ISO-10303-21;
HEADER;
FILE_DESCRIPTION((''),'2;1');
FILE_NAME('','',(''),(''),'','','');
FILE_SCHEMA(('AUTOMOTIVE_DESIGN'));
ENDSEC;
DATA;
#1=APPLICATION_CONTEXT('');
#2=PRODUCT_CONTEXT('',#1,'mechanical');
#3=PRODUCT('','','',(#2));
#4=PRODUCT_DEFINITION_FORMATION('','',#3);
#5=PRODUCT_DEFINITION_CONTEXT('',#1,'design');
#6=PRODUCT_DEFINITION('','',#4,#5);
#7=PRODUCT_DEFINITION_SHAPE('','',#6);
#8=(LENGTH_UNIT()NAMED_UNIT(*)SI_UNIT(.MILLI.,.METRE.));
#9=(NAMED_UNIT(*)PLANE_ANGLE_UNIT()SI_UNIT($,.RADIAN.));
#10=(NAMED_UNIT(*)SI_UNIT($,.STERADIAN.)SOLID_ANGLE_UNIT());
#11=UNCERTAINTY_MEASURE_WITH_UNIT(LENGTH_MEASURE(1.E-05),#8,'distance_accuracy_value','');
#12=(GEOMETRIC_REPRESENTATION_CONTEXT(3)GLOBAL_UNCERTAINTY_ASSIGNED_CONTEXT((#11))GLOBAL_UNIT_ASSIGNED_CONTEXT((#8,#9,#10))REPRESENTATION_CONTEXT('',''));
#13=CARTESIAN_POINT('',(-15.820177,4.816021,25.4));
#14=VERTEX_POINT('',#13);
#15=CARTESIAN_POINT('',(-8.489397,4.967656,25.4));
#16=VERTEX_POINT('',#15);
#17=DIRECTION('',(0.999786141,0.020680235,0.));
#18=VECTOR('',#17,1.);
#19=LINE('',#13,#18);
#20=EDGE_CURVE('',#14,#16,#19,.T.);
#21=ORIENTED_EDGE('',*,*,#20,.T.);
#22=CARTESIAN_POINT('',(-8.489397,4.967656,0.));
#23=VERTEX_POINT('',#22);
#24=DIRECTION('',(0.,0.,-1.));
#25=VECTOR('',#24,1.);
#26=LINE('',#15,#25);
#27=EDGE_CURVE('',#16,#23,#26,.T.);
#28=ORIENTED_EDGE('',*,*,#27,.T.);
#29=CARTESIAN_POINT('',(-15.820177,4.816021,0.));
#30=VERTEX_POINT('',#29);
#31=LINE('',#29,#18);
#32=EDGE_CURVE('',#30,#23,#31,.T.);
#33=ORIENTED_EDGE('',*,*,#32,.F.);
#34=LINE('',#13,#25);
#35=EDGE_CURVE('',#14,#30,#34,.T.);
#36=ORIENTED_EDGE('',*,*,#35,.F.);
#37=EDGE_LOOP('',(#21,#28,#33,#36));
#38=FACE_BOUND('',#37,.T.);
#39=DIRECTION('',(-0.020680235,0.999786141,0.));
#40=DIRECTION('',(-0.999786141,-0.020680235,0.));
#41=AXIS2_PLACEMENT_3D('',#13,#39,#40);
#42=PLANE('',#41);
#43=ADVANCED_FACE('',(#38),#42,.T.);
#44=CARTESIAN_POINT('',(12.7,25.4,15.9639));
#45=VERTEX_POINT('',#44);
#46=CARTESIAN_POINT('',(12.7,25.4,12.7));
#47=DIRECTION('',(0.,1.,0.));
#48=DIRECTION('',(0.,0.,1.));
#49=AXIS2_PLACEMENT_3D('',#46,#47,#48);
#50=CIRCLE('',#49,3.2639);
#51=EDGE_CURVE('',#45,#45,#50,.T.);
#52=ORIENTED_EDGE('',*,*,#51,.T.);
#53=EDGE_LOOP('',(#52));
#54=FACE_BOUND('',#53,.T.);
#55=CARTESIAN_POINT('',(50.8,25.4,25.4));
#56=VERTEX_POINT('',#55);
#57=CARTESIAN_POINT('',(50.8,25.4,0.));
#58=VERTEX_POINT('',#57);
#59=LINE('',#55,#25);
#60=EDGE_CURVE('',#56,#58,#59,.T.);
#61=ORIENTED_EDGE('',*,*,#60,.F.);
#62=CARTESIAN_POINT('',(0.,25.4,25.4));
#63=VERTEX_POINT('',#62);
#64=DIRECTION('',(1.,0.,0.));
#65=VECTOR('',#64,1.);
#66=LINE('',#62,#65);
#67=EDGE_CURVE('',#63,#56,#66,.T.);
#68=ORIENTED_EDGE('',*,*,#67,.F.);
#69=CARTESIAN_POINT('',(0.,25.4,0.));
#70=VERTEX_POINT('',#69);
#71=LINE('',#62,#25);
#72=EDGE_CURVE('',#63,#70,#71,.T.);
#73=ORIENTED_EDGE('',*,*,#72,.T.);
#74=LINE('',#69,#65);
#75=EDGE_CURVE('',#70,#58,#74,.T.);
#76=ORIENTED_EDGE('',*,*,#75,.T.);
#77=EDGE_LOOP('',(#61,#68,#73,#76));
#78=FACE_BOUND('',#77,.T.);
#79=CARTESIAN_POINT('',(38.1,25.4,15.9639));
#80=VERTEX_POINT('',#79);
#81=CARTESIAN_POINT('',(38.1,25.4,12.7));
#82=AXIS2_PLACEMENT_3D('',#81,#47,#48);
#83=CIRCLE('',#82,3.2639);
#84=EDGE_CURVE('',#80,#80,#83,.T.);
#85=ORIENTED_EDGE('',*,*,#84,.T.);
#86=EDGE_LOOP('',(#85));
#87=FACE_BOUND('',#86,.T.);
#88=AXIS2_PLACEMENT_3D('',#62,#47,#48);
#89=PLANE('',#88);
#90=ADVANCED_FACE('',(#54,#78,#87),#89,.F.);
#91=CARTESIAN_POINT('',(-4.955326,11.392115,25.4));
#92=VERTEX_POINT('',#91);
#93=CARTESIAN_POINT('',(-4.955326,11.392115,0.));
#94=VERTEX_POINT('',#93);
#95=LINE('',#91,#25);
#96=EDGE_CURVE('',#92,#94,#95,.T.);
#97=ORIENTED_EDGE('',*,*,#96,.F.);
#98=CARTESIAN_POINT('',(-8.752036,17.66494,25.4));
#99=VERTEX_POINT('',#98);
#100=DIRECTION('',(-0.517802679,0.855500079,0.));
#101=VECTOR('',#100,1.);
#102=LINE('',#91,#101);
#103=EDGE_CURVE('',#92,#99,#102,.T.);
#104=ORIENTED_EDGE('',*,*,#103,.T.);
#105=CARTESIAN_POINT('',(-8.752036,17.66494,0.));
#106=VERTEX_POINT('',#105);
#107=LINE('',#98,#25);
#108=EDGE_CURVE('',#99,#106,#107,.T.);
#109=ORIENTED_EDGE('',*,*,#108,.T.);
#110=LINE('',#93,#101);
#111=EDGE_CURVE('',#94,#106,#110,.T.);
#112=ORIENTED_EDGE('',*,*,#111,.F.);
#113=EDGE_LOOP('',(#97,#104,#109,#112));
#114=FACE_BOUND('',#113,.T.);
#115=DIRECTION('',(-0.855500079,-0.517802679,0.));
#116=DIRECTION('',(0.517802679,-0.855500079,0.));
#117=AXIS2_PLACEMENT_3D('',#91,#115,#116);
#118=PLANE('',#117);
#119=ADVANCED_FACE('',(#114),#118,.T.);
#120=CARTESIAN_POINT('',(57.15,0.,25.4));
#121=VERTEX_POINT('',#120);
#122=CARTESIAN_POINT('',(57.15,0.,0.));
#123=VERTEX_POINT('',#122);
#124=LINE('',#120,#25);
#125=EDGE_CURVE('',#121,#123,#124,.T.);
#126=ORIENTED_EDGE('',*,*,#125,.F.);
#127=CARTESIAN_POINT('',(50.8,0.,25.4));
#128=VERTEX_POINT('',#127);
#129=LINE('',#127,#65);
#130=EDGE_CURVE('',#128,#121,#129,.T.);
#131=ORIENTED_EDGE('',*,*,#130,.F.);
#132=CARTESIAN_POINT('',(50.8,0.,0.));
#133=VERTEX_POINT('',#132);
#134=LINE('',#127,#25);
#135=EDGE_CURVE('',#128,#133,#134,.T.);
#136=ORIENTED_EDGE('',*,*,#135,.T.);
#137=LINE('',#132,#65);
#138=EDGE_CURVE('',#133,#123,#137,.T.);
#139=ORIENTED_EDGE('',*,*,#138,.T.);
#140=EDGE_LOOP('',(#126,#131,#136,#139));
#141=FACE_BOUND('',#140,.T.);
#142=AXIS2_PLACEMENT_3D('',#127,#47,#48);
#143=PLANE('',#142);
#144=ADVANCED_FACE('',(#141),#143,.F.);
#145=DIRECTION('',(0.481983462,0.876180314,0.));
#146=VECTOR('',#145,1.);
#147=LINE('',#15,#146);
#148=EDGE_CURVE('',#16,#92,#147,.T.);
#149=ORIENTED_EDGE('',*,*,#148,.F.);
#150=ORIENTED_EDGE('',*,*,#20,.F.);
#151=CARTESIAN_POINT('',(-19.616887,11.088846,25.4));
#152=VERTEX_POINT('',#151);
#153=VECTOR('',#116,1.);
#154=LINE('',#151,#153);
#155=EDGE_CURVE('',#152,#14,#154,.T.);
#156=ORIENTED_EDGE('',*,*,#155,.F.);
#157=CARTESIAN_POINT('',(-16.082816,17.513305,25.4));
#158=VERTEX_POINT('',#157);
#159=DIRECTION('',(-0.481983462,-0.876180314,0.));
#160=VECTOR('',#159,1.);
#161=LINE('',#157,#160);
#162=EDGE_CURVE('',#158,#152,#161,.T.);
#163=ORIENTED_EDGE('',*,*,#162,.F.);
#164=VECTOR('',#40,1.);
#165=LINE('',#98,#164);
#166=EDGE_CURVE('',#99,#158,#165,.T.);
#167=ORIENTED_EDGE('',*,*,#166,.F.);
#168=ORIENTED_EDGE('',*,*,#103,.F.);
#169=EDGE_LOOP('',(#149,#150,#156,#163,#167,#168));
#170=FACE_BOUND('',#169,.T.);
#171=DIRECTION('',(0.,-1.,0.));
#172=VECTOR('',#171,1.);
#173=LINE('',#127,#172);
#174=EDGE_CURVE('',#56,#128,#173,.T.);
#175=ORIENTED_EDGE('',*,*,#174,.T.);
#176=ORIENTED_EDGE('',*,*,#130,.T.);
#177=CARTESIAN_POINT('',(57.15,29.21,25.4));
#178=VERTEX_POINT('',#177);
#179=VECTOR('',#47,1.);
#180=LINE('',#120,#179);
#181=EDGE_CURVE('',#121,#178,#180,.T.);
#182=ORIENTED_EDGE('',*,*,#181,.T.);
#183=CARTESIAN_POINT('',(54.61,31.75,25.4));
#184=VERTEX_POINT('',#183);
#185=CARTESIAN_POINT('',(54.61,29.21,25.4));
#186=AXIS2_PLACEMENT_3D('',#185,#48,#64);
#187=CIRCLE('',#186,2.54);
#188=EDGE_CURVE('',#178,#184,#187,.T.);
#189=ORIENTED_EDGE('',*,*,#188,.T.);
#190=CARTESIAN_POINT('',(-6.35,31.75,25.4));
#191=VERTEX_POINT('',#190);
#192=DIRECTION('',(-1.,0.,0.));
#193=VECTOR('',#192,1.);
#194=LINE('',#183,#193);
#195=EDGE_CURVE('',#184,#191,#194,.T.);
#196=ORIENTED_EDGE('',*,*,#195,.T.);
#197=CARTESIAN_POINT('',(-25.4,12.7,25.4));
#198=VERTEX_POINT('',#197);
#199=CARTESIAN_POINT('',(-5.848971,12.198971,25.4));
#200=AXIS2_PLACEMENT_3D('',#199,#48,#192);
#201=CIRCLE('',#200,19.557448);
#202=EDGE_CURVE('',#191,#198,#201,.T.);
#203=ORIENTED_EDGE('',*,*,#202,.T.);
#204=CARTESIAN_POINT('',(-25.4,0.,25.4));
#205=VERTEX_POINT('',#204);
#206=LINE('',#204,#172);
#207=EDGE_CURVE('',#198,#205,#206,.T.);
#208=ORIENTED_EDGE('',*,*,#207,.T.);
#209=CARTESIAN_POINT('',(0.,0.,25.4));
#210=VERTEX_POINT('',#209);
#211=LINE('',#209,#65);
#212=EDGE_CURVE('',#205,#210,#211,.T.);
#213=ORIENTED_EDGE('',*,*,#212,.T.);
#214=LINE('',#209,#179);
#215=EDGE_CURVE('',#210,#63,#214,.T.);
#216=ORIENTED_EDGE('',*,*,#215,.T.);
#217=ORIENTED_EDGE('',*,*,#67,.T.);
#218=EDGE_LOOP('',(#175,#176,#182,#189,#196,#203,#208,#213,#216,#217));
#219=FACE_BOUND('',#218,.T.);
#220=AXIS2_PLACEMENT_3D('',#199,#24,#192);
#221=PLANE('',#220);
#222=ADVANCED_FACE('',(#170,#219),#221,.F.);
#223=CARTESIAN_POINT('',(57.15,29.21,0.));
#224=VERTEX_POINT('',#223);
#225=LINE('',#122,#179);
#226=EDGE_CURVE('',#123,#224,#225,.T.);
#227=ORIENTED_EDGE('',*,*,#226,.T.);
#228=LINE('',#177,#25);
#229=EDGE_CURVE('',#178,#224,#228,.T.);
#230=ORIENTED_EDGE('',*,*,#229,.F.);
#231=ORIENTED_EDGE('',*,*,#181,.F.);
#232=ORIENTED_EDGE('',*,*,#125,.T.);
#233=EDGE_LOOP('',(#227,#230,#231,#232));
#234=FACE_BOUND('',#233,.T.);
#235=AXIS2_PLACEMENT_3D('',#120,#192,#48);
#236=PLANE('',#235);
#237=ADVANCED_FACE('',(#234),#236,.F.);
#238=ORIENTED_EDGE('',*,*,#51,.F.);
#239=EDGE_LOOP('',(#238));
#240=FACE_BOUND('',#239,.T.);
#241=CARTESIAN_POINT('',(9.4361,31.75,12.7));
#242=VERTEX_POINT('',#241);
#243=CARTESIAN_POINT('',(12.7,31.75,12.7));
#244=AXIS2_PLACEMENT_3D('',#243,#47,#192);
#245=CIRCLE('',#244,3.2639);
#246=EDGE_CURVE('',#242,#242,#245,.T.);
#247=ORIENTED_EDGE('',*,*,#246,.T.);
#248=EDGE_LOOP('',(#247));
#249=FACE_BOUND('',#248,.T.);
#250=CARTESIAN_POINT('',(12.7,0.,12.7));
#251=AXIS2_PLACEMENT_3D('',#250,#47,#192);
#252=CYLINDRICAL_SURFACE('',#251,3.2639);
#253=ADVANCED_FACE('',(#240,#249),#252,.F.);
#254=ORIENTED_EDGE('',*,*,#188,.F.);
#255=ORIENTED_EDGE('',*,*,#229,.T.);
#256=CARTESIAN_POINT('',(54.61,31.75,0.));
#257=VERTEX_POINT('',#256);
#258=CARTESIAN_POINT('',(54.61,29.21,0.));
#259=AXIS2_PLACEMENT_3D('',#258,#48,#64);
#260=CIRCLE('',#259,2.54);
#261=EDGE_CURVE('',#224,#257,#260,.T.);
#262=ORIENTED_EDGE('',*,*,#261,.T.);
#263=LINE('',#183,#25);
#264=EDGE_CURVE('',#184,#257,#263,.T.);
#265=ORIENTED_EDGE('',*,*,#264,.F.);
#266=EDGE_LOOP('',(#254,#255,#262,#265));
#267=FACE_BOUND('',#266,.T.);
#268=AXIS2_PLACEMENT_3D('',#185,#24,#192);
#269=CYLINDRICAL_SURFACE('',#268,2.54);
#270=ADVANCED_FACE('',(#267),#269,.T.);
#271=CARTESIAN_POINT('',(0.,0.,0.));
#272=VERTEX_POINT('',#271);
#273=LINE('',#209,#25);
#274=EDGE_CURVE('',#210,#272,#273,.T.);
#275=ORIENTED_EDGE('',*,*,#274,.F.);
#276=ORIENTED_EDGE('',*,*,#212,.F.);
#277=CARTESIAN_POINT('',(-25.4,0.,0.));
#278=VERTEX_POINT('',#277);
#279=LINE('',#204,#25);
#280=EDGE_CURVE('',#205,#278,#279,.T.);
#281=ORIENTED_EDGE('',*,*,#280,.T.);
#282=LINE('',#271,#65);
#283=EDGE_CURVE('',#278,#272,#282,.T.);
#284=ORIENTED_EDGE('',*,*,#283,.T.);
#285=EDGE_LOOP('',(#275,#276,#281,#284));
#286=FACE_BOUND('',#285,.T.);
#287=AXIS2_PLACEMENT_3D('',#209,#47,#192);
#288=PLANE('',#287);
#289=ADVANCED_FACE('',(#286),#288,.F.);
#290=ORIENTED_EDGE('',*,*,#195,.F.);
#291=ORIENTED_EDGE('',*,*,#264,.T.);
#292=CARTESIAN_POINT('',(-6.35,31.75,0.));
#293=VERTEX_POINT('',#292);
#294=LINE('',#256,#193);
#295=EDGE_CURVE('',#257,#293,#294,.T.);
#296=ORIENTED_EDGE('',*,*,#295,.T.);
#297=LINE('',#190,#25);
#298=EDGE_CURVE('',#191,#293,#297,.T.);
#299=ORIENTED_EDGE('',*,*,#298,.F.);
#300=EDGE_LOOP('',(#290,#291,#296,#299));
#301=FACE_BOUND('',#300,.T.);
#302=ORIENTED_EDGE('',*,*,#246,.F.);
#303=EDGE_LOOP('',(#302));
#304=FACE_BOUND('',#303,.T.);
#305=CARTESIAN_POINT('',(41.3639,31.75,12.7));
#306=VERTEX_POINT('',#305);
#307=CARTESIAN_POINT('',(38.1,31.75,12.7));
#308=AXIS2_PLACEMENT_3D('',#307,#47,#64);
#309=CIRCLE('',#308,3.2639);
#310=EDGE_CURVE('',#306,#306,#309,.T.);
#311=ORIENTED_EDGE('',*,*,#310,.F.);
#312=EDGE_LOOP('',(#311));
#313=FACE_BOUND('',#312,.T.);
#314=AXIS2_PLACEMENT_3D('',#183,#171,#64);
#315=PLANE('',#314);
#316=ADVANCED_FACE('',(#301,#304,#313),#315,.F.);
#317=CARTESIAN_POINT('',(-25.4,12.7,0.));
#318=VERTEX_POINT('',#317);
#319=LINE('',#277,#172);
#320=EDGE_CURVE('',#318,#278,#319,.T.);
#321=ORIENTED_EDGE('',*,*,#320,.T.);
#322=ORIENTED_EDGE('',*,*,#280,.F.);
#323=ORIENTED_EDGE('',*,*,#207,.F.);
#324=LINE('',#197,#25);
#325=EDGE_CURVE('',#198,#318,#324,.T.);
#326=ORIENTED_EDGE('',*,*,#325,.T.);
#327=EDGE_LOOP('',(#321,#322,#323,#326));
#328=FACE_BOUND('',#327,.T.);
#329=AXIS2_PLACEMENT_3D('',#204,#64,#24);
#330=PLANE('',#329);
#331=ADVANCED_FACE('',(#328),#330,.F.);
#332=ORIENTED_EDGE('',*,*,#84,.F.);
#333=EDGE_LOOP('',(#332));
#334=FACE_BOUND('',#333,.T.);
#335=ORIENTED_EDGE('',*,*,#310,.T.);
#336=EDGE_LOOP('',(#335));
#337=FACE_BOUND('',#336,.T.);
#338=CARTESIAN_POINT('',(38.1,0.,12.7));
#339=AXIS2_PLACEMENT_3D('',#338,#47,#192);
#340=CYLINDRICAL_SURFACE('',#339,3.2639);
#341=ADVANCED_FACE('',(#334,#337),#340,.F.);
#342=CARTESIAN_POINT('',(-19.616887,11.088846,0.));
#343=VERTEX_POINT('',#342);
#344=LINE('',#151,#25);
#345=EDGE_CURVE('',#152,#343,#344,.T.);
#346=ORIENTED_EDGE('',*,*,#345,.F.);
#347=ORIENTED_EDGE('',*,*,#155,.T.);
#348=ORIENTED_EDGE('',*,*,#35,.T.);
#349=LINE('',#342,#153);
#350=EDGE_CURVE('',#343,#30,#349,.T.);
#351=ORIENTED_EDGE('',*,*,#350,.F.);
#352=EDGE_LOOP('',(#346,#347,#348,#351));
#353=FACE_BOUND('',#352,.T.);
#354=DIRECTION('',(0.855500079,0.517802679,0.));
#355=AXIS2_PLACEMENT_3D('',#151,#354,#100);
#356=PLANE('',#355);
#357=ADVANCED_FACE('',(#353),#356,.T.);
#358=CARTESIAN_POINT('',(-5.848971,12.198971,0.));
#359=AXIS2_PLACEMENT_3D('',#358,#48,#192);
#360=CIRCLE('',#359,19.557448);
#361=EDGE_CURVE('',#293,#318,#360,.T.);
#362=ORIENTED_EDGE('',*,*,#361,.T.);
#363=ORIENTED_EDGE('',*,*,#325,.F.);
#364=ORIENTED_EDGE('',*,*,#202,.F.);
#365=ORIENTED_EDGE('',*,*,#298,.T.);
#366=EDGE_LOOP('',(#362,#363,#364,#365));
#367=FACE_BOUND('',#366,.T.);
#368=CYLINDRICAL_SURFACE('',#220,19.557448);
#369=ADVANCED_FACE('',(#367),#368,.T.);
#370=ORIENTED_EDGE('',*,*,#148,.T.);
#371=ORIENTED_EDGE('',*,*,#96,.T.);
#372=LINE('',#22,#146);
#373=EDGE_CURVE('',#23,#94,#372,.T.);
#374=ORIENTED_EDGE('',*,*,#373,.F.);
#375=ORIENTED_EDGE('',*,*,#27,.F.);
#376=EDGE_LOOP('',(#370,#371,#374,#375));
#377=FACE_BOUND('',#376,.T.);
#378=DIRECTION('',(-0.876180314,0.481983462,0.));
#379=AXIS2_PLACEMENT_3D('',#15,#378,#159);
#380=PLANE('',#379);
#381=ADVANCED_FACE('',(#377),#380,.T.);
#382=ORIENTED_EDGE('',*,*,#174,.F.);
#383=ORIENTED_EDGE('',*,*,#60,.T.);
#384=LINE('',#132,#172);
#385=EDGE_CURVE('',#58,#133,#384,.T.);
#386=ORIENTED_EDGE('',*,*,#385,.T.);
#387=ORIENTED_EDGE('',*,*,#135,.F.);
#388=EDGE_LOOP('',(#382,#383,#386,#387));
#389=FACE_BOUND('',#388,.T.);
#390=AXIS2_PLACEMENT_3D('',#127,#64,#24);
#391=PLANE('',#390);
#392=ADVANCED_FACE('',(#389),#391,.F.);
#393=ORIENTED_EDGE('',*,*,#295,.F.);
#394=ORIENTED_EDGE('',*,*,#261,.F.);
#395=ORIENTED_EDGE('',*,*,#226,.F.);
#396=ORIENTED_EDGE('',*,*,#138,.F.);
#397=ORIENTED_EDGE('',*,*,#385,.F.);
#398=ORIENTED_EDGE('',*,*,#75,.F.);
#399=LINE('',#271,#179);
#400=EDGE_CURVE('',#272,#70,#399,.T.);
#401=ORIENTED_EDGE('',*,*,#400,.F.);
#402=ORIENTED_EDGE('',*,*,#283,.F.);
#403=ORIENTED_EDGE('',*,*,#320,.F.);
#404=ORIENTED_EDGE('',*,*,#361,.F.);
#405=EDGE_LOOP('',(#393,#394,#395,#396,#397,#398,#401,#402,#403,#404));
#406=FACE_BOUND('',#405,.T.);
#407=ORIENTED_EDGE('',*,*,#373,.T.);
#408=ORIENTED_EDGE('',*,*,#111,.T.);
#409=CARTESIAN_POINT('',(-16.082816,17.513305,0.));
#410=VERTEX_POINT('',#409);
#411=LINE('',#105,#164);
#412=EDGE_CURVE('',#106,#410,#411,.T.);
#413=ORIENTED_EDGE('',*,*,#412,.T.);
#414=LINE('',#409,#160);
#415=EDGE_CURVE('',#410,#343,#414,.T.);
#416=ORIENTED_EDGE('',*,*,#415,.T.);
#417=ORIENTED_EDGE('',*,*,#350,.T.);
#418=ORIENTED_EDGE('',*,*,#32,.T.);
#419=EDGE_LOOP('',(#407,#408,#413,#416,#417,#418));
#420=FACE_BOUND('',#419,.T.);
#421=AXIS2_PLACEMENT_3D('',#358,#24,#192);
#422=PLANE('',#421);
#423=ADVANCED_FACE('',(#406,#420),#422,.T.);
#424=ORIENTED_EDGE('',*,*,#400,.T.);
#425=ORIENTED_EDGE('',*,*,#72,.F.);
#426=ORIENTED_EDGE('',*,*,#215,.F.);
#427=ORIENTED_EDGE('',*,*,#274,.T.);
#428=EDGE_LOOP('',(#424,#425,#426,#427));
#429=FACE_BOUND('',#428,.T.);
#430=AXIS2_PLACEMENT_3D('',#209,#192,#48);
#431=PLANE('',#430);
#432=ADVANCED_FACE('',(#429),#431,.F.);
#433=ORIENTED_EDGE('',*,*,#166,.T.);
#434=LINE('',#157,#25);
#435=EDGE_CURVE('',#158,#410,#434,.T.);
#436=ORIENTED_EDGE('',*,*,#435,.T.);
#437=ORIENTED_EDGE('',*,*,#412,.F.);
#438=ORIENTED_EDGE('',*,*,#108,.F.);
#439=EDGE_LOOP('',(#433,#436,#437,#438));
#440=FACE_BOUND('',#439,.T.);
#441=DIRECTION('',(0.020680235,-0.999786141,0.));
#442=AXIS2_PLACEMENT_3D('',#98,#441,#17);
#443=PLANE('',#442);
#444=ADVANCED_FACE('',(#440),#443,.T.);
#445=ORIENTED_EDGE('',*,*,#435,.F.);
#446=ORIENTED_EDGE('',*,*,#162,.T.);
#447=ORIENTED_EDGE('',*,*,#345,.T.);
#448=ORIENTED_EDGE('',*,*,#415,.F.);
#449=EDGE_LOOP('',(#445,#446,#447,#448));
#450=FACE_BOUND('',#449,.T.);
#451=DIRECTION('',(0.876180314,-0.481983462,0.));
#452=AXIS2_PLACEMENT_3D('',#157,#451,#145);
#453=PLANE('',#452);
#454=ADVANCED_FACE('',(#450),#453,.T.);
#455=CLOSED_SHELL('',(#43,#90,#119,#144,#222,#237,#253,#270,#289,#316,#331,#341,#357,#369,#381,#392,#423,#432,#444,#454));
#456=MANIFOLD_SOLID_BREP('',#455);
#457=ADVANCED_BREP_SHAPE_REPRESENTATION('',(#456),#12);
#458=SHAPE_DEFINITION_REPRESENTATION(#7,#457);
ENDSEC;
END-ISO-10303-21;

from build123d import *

# Parameters (mm, degrees)
BOSS_EXTRUDE2_DEPTH = 25.4
SKETCH2_R           = 3.2639
CUT_EXTRUDE1_DEPTH  = 71.138042459


with BuildPart() as part:
    # Sketch1 → Boss-Extrude2 (new body)
    with BuildSketch(Plane.XY):
        with BuildLine():
            Line((50.8, 0), (57.15, 0))
            Line((57.15, 0), (57.15, 29.21))
            ThreePointArc((57.15, 29.21), (56.406051224, 31.006051224), (54.61, 31.75))
            Line((54.61, 31.75), (-6.35, 31.75))
            ThreePointArc((-6.35, 31.75), (-19.678174928, 26.028174928), (-25.4, 12.7))
            Line((-25.4, 12.7), (-25.4, 0))
            Line((-25.4, 0), (0, 0))
            Line((0, 0), (0, 25.4))
            Line((0, 25.4), (50.8, 25.4))
            Line((50.8, 25.4), (50.8, 0))
        make_face()
        Polygon((-8.489396689, 4.967655623), (-4.955326016, 11.392114963), (-8.752035673, 17.664939614), (-16.082816004, 17.513304926), (-19.616886677, 11.088845586), (-15.820177019, 4.816020934), align=None, mode=Mode.SUBTRACT)
    extrude(amount=BOSS_EXTRUDE2_DEPTH)

    # Sketch2 → Cut-Extrude1 (cut, through all)
    with BuildSketch(Plane(origin=(0, 31.75, 0), x_dir=(1, 0, 0), z_dir=(0, 1, 0))):
        with Locations(Location((12.7, -12.7, 0), (0, 0, 180))):
            Circle(SKETCH2_R)
        with Locations(Location((38.1, -12.7, 0), (0, 0, 270))):
            Circle(SKETCH2_R)
    extrude(amount=-CUT_EXTRUDE1_DEPTH, mode=Mode.SUBTRACT)


solid = part.part
